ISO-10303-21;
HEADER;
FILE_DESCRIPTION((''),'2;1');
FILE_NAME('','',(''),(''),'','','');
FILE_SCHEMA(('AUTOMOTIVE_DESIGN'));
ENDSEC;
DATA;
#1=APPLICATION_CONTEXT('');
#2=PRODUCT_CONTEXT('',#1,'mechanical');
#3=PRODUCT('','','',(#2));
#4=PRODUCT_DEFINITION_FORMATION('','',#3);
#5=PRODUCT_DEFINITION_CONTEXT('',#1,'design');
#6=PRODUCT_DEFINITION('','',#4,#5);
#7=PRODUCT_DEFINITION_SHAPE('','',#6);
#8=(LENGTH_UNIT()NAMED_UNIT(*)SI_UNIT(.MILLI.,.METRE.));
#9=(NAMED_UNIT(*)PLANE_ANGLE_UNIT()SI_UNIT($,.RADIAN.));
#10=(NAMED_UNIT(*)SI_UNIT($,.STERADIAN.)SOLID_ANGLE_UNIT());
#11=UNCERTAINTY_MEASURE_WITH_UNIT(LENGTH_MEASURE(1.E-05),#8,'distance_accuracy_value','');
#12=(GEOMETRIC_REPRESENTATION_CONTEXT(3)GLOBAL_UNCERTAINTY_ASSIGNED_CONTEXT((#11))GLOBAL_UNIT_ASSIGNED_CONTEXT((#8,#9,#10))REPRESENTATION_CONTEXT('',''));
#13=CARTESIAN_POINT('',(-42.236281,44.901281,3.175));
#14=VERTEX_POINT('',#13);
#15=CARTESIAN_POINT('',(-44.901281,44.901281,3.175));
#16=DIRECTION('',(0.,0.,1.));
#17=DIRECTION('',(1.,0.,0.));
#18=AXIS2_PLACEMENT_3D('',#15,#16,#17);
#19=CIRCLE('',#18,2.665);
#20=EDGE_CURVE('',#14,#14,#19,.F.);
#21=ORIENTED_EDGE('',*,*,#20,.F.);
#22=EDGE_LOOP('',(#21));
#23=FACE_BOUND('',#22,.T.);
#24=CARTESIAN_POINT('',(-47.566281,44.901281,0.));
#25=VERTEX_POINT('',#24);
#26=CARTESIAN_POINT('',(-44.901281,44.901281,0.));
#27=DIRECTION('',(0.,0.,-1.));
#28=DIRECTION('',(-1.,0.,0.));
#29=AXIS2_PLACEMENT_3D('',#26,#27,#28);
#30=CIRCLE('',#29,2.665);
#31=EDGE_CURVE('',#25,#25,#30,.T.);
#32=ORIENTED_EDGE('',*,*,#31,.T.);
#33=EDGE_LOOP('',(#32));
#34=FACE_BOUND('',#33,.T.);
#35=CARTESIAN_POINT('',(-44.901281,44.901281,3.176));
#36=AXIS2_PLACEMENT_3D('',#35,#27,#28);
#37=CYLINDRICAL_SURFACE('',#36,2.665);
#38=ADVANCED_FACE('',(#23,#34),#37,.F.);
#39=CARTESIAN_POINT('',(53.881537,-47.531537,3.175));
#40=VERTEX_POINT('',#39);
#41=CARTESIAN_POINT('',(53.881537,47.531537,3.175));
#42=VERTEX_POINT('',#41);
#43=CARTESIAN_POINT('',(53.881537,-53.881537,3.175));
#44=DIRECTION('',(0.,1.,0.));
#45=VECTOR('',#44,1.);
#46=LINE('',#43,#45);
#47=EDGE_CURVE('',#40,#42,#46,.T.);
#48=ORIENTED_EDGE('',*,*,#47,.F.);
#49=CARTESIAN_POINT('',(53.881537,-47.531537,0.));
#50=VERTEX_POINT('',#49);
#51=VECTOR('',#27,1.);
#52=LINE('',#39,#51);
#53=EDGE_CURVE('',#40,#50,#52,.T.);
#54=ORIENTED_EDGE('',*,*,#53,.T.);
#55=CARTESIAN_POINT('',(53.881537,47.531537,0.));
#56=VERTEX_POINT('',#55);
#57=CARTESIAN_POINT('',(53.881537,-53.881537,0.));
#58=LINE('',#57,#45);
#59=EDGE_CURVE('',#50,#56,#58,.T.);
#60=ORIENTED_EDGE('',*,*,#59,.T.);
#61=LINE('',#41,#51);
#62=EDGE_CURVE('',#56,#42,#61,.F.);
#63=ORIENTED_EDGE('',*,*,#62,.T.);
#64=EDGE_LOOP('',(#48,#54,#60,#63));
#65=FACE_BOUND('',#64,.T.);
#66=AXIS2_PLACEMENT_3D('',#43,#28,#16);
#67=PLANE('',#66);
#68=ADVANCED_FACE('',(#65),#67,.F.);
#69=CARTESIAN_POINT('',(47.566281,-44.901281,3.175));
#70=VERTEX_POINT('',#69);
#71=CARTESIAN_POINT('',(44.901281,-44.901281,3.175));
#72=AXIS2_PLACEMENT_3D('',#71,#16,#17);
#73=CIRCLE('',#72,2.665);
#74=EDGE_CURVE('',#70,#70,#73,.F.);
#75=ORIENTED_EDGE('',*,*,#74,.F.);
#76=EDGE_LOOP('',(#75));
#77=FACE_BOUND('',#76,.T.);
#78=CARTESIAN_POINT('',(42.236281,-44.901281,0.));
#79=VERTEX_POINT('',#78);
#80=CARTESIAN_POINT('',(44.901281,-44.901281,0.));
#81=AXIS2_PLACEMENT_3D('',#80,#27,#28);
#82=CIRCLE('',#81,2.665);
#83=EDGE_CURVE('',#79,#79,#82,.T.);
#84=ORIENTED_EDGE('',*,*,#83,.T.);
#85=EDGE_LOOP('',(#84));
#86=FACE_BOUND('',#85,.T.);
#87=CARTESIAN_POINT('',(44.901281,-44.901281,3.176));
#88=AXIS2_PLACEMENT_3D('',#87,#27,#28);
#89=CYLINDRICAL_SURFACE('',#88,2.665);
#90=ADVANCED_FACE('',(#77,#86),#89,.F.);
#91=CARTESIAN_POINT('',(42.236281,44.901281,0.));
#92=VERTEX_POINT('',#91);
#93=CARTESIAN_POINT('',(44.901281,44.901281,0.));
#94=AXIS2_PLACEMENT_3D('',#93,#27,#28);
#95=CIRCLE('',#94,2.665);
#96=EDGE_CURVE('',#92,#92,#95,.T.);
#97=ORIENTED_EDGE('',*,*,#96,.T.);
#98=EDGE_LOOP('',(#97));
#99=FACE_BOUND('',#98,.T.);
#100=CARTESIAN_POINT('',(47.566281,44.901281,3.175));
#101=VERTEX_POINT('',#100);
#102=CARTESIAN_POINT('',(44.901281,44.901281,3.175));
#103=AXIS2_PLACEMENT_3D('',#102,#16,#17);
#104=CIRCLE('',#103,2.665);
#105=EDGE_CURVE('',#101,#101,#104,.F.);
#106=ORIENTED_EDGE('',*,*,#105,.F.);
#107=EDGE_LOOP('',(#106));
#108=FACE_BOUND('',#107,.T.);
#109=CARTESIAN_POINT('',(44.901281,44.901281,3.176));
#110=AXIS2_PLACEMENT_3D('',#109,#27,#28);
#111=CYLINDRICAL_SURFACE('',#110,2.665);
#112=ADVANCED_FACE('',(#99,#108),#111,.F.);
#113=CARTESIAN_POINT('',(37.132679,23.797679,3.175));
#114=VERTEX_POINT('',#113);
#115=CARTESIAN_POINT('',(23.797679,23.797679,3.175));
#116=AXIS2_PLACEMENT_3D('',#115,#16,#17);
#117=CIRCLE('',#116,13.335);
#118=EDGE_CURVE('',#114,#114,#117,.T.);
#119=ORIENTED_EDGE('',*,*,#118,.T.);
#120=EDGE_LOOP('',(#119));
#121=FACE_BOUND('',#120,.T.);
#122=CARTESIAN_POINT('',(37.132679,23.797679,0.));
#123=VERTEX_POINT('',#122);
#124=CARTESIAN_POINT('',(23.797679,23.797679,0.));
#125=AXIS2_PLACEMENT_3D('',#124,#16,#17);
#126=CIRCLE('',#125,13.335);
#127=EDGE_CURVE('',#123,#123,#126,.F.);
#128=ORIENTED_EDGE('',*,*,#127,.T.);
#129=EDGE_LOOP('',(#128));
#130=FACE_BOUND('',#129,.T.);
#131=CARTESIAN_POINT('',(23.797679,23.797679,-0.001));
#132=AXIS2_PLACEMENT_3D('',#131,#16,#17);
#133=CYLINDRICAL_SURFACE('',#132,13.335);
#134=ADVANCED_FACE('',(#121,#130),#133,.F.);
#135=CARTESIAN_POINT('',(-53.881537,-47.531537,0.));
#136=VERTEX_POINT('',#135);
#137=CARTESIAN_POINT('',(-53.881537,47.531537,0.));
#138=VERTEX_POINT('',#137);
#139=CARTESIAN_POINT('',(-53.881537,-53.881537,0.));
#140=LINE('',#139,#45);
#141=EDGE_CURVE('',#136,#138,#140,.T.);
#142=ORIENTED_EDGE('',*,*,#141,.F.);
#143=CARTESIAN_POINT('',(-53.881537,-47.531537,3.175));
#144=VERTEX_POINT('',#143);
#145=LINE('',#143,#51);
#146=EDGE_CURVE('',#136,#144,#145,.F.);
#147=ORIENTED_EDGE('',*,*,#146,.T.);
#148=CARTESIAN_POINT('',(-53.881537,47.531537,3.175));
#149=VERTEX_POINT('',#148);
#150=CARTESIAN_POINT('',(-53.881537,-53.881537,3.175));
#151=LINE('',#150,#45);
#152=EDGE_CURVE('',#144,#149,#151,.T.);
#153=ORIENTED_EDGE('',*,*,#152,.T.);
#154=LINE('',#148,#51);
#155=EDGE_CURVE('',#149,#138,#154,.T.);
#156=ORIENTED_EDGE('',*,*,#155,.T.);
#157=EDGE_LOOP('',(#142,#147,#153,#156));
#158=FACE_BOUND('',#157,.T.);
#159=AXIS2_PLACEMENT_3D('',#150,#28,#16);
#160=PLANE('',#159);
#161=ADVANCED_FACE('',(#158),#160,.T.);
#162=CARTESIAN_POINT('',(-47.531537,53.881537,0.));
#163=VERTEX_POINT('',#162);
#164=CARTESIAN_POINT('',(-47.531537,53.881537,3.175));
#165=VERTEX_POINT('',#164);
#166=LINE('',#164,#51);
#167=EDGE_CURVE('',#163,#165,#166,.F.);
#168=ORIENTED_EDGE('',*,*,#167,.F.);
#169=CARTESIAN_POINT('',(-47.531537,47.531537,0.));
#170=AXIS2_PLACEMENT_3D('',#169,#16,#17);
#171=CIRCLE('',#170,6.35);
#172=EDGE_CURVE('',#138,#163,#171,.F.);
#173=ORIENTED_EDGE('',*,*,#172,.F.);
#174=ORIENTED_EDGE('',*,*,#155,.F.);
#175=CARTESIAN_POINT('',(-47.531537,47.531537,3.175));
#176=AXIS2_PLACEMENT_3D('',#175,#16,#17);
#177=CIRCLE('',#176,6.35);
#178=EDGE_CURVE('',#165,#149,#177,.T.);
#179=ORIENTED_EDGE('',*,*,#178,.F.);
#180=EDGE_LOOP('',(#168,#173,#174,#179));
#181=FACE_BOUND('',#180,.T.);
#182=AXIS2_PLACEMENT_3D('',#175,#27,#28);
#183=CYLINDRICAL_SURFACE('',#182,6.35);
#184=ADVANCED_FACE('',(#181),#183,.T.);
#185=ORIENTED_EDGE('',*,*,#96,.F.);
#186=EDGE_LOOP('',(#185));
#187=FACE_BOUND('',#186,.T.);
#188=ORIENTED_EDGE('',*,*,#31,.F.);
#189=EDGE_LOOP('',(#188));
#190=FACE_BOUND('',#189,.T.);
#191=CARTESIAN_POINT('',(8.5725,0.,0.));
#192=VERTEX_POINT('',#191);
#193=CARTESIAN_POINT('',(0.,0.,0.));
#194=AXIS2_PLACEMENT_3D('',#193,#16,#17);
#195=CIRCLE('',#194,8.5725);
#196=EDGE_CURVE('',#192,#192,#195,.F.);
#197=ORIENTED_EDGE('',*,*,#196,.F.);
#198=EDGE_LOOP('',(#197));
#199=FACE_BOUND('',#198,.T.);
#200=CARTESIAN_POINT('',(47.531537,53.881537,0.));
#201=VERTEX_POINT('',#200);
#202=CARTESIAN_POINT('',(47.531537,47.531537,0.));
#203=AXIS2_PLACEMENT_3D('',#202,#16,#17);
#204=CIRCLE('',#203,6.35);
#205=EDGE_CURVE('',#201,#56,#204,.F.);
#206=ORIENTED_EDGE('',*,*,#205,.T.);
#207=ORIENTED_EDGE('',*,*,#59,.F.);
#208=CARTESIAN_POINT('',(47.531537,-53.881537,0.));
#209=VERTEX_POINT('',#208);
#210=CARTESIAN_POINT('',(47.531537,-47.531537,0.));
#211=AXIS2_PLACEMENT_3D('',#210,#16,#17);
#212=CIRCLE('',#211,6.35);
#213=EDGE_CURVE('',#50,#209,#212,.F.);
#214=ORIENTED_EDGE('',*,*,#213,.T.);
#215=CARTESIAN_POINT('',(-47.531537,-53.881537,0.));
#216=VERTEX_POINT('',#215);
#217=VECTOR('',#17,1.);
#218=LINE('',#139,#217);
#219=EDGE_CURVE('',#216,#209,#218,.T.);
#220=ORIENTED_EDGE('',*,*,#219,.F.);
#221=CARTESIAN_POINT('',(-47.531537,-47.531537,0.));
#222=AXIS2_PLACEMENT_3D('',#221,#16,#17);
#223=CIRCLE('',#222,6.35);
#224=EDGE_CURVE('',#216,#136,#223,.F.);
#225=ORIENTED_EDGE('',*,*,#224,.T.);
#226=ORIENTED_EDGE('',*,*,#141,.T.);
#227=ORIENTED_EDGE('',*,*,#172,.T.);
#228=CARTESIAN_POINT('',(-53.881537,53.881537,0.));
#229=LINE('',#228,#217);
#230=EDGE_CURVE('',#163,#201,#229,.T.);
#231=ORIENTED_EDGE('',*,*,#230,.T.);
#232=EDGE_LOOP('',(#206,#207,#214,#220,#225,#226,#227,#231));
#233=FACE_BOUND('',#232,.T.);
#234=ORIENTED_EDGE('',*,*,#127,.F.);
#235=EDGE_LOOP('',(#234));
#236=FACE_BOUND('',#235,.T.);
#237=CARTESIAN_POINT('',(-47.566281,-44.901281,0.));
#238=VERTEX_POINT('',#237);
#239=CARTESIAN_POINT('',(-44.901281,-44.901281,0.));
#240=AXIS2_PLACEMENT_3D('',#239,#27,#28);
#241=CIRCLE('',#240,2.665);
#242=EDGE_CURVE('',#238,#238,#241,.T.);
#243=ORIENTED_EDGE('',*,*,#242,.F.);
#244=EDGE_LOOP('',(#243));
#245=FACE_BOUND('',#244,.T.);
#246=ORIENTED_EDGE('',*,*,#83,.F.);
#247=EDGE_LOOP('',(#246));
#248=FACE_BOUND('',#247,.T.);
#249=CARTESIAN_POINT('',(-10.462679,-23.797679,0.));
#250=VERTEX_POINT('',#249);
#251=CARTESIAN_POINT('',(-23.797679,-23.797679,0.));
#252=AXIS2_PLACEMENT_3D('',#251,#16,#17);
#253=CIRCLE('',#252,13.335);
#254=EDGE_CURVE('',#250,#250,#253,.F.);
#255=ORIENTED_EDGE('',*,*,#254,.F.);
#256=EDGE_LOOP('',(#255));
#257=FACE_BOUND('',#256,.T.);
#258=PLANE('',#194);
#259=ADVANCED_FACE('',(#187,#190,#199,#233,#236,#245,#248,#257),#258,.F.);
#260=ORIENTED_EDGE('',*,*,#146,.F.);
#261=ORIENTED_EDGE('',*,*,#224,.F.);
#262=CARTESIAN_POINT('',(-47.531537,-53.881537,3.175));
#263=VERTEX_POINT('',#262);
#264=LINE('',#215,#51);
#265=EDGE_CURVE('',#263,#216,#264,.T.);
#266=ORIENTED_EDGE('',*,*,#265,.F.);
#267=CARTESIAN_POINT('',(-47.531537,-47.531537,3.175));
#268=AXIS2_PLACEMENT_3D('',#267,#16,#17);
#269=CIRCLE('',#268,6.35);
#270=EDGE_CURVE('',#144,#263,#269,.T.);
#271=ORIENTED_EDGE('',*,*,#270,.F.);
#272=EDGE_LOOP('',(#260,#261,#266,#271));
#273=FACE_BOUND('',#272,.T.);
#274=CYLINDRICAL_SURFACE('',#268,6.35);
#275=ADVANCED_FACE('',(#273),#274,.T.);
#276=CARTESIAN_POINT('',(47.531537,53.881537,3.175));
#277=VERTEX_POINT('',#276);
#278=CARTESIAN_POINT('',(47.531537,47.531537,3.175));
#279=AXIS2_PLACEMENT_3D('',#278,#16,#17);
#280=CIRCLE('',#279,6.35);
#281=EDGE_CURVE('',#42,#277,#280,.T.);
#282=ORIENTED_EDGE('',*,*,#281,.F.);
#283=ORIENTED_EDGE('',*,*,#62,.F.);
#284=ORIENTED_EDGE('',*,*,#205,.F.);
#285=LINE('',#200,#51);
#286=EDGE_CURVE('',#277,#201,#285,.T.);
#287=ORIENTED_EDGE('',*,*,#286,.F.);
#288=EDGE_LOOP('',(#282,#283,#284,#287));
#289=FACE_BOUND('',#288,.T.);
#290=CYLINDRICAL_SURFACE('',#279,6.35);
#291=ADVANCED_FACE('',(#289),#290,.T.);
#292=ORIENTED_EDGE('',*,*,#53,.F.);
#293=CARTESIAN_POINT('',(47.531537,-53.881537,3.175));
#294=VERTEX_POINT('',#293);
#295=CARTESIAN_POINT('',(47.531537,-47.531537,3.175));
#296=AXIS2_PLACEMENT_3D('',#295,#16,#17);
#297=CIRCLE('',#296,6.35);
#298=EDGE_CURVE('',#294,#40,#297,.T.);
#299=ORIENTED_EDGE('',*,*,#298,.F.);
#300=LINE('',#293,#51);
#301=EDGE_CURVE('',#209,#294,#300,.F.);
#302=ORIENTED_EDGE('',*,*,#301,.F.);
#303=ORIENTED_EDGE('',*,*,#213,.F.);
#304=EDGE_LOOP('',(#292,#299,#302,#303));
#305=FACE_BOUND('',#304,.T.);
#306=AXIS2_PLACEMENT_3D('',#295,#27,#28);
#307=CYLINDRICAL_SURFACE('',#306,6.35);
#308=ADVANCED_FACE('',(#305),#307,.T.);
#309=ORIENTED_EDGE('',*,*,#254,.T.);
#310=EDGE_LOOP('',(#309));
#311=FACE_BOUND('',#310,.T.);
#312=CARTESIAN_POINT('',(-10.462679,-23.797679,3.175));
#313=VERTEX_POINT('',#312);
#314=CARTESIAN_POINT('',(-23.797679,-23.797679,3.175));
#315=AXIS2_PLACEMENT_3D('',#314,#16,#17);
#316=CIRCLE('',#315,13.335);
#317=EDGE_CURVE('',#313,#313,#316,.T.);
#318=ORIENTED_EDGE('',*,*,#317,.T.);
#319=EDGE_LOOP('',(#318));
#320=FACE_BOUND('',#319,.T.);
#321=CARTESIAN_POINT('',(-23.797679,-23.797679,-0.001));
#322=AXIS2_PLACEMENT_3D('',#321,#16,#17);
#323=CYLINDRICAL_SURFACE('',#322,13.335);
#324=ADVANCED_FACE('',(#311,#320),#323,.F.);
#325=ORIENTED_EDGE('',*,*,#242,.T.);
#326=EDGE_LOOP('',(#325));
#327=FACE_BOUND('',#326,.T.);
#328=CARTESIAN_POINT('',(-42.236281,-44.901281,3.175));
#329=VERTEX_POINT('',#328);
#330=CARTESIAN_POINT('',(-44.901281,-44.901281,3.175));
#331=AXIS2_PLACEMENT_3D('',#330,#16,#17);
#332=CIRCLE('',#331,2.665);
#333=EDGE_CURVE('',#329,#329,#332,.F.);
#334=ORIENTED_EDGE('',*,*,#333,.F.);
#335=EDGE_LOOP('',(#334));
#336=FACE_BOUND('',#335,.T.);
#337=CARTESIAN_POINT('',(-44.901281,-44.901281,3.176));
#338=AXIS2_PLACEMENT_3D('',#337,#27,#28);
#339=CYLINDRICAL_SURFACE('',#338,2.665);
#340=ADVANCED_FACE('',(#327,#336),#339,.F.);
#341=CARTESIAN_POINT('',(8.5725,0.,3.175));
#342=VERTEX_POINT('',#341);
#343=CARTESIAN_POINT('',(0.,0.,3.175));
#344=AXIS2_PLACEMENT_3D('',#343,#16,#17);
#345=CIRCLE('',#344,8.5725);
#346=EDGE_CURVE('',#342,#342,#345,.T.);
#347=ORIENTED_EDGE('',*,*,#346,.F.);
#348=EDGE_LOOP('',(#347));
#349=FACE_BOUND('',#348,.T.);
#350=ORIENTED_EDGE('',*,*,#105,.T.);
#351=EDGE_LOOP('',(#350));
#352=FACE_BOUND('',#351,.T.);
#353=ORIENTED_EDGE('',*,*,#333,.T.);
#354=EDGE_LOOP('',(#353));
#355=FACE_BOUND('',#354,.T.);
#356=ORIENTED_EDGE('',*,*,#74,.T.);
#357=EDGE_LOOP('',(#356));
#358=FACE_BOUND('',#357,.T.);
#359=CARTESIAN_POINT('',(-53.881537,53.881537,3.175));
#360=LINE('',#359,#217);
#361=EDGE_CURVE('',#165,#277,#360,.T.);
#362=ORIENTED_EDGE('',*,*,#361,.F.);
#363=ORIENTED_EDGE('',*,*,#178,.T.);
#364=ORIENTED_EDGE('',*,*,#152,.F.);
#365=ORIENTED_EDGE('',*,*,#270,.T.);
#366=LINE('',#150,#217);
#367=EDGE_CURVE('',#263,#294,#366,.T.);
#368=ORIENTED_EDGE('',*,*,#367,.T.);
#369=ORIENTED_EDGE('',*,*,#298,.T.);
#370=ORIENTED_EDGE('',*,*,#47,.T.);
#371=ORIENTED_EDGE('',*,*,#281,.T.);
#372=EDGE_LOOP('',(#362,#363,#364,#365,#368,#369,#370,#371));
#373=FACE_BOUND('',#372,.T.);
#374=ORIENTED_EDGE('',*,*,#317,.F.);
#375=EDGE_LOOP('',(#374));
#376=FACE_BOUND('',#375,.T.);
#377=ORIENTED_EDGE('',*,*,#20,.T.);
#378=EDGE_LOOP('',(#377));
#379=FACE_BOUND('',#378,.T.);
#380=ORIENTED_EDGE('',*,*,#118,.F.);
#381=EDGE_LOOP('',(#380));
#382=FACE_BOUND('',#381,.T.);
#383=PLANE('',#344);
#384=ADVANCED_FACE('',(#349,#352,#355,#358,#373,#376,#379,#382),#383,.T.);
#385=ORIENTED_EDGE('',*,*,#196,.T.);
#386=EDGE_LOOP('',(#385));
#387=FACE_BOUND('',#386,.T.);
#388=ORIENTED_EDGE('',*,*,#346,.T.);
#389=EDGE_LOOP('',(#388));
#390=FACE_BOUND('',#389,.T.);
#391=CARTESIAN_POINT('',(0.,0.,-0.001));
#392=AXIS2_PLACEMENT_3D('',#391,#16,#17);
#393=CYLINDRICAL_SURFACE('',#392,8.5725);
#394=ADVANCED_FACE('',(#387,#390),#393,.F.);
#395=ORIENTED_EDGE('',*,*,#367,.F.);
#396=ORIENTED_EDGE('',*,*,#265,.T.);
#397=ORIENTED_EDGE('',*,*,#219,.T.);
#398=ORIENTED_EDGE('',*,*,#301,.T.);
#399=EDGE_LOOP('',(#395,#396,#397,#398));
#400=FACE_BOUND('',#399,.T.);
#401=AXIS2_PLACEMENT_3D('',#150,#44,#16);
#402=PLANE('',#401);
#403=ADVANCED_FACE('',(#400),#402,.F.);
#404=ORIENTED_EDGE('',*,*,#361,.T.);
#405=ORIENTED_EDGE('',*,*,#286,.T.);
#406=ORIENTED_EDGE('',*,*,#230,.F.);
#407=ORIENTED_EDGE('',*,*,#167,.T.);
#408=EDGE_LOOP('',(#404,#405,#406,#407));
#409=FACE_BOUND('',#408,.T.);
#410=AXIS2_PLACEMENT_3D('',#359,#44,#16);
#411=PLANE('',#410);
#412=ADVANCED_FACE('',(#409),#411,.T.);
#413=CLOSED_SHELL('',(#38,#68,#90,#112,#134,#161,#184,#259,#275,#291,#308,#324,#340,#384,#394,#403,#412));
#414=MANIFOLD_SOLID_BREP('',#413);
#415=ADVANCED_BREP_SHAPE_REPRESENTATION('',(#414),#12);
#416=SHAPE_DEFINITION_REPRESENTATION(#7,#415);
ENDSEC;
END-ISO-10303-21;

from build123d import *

# Parameters (mm, degrees)
SKETCH1_W           = 107.763073452
SKETCH1_H           = 107.763073452
BOSS_EXTRUDE1_DEPTH = 3.175
CUT_EXTRUDE2_REACH  = 78.266
SKETCH4_R           = 8.5725
FILLET2_R           = 6.35
CUT_EXTRUDE3_REACH  = 78.266
SKETCH5_R           = 2.665000004
CUT_EXTRUDE4_REACH  = 78.266
SKETCH6_R           = 13.335


with BuildPart() as part:
    # Sketch1 → Boss-Extrude1 (new body)
    with BuildSketch(Plane.XY):
        Rectangle(SKETCH1_W, SKETCH1_H)
    extrude(amount=BOSS_EXTRUDE1_DEPTH)

    # Sketch4 → Cut-Extrude2 (cut, up to next)
    with BuildSketch(Plane.XY.offset(3.175), mode=Mode.PRIVATE) as cut_extrude2_sk1:
        Circle(SKETCH4_R)
    cut_extrude2_tool1 = extrude(cut_extrude2_sk1.sketch, amount=-CUT_EXTRUDE2_REACH, mode=Mode.PRIVATE) & part.part
    add(cut_extrude2_tool1.solids().sort_by_distance((0, 0, 3.175))[0], mode=Mode.SUBTRACT)

    # Fillet2
    fillet2_edges = [part.edges().sort_by_distance(p)[0] for p in [
        (-53.881536726, -53.881536726, 1.5875),
        (-53.881536726, 53.881536726, 1.5875),
        (53.881536726, 53.881536726, 1.5875),
        (53.881536726, -53.881536726, 1.5875),
    ]]
    fillet(fillet2_edges, radius=FILLET2_R)

    # Sketch5 → Cut-Extrude3 (cut, up to next)
    with BuildSketch(Plane(origin=(0, 0, 0), x_dir=(-1, 0, 0), z_dir=(0, 0, -1)), mode=Mode.PRIVATE) as cut_extrude3_sk1:
        with Locations((44.901280605, 44.901280605)):
            Circle(SKETCH5_R)
    cut_extrude3_tool1 = extrude(cut_extrude3_sk1.sketch, amount=-CUT_EXTRUDE3_REACH, mode=Mode.PRIVATE) & part.part
    # Sketch5 → Cut-Extrude3 (cut, up to next)
    with BuildSketch(Plane(origin=(0, 0, 0), x_dir=(-1, 0, 0), z_dir=(0, 0, -1)), mode=Mode.PRIVATE) as cut_extrude3_sk2:
        with Locations((44.901280605, -44.901280605)):
            Circle(SKETCH5_R)
    cut_extrude3_tool2 = extrude(cut_extrude3_sk2.sketch, amount=-CUT_EXTRUDE3_REACH, mode=Mode.PRIVATE) & part.part
    # Sketch5 → Cut-Extrude3 (cut, up to next)
    with BuildSketch(Plane(origin=(0, 0, 0), x_dir=(-1, 0, 0), z_dir=(0, 0, -1)), mode=Mode.PRIVATE) as cut_extrude3_sk3:
        with Locations((-44.901280605, -44.901280605)):
            Circle(SKETCH5_R)
    cut_extrude3_tool3 = extrude(cut_extrude3_sk3.sketch, amount=-CUT_EXTRUDE3_REACH, mode=Mode.PRIVATE) & part.part
    # Sketch5 → Cut-Extrude3 (cut, up to next)
    with BuildSketch(Plane(origin=(0, 0, 0), x_dir=(-1, 0, 0), z_dir=(0, 0, -1)), mode=Mode.PRIVATE) as cut_extrude3_sk4:
        with Locations((-44.901280605, 44.901280605)):
            Circle(SKETCH5_R)
    cut_extrude3_tool4 = extrude(cut_extrude3_sk4.sketch, amount=-CUT_EXTRUDE3_REACH, mode=Mode.PRIVATE) & part.part
    add(cut_extrude3_tool1.solids().sort_by_distance((-44.901281, 44.901281, 0))[0], mode=Mode.SUBTRACT)
    add(cut_extrude3_tool2.solids().sort_by_distance((-44.901281, -44.901281, 0))[0], mode=Mode.SUBTRACT)
    add(cut_extrude3_tool3.solids().sort_by_distance((44.901281, -44.901281, 0))[0], mode=Mode.SUBTRACT)
    add(cut_extrude3_tool4.solids().sort_by_distance((44.901281, 44.901281, 0))[0], mode=Mode.SUBTRACT)

    # Sketch6 → Cut-Extrude4 (cut, up to next)
    with BuildSketch(Plane.XY.offset(3.175), mode=Mode.PRIVATE) as cut_extrude4_sk1:
        with Locations((23.797678721, 23.797678721)):
            Circle(SKETCH6_R)
    cut_extrude4_tool1 = extrude(cut_extrude4_sk1.sketch, amount=-CUT_EXTRUDE4_REACH, mode=Mode.PRIVATE) & part.part
    # Sketch6 → Cut-Extrude4 (cut, up to next)
    with BuildSketch(Plane.XY.offset(3.175), mode=Mode.PRIVATE) as cut_extrude4_sk2:
        with Locations((-23.797678721, -23.797678721)):
            Circle(SKETCH6_R)
    cut_extrude4_tool2 = extrude(cut_extrude4_sk2.sketch, amount=-CUT_EXTRUDE4_REACH, mode=Mode.PRIVATE) & part.part
    add(cut_extrude4_tool1.solids().sort_by_distance((23.797679, 23.797679, 3.175))[0], mode=Mode.SUBTRACT)
    add(cut_extrude4_tool2.solids().sort_by_distance((-23.797679, -23.797679, 3.175))[0], mode=Mode.SUBTRACT)


solid = part.part
